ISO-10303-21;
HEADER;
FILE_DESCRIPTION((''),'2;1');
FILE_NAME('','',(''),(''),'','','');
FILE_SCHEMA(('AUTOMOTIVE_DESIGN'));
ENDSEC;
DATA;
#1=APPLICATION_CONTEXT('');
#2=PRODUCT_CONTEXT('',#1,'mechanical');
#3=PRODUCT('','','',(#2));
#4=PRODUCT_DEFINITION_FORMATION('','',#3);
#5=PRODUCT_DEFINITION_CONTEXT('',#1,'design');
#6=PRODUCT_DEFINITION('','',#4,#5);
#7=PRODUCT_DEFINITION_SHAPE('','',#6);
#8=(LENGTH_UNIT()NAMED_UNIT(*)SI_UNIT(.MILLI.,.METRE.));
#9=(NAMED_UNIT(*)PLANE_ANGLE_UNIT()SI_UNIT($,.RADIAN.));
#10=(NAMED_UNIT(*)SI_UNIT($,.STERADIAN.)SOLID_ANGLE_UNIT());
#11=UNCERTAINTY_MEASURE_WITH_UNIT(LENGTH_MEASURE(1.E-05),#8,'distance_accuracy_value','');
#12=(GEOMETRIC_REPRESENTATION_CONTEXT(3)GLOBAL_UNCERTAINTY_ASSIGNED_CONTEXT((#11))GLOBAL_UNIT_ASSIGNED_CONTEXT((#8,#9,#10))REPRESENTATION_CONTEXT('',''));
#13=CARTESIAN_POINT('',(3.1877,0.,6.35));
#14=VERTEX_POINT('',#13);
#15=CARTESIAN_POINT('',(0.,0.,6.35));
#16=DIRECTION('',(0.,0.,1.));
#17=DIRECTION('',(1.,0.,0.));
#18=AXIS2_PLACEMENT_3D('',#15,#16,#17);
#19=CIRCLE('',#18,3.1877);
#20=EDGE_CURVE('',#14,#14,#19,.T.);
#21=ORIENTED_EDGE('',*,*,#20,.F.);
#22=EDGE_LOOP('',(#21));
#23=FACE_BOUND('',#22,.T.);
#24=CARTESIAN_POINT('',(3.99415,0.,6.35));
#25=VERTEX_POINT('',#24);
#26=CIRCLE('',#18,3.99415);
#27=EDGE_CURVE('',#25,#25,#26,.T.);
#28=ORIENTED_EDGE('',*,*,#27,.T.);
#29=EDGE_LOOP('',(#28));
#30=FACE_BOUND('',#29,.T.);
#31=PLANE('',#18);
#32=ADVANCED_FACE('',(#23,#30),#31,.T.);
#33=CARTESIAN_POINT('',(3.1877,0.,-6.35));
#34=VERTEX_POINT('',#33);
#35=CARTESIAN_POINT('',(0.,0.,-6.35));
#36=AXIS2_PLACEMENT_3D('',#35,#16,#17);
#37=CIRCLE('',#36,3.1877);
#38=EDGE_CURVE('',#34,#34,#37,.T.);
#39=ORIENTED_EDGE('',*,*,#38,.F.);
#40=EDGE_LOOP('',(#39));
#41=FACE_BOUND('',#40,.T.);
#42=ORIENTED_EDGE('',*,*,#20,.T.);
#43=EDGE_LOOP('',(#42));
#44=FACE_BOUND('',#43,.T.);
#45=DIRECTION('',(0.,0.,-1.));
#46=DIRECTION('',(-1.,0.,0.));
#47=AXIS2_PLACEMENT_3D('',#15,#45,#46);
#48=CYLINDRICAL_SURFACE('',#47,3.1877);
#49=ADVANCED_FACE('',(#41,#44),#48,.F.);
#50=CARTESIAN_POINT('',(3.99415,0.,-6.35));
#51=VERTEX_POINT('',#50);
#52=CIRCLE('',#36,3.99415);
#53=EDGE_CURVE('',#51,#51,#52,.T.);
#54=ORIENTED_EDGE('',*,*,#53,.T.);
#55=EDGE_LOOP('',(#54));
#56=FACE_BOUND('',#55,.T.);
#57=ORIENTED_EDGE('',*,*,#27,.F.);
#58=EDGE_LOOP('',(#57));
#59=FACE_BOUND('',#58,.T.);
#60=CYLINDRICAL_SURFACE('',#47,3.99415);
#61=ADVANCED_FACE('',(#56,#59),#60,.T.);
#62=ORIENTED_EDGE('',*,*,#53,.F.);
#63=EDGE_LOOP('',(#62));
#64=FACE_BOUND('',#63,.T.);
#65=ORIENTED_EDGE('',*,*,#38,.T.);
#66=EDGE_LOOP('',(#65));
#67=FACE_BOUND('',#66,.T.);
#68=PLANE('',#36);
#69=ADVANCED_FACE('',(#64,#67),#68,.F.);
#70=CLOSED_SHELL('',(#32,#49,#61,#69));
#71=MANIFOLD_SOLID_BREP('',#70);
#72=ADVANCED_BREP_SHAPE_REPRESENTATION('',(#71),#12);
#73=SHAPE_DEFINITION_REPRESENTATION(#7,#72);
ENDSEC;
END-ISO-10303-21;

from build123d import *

# Parameters (mm, degrees)
SKETCH1_R      = 3.99415
SKETCH1_R_2    = 3.1877
EXTRUDE1_DEPTH = 6.35


with BuildPart() as part:
    # Sketch1 → Extrude1 (new body, symmetric)
    with BuildSketch(Plane.XY):
        Circle(SKETCH1_R)
        Circle(SKETCH1_R_2, mode=Mode.SUBTRACT)
    extrude(amount=EXTRUDE1_DEPTH, both=True)


solid = part.part
